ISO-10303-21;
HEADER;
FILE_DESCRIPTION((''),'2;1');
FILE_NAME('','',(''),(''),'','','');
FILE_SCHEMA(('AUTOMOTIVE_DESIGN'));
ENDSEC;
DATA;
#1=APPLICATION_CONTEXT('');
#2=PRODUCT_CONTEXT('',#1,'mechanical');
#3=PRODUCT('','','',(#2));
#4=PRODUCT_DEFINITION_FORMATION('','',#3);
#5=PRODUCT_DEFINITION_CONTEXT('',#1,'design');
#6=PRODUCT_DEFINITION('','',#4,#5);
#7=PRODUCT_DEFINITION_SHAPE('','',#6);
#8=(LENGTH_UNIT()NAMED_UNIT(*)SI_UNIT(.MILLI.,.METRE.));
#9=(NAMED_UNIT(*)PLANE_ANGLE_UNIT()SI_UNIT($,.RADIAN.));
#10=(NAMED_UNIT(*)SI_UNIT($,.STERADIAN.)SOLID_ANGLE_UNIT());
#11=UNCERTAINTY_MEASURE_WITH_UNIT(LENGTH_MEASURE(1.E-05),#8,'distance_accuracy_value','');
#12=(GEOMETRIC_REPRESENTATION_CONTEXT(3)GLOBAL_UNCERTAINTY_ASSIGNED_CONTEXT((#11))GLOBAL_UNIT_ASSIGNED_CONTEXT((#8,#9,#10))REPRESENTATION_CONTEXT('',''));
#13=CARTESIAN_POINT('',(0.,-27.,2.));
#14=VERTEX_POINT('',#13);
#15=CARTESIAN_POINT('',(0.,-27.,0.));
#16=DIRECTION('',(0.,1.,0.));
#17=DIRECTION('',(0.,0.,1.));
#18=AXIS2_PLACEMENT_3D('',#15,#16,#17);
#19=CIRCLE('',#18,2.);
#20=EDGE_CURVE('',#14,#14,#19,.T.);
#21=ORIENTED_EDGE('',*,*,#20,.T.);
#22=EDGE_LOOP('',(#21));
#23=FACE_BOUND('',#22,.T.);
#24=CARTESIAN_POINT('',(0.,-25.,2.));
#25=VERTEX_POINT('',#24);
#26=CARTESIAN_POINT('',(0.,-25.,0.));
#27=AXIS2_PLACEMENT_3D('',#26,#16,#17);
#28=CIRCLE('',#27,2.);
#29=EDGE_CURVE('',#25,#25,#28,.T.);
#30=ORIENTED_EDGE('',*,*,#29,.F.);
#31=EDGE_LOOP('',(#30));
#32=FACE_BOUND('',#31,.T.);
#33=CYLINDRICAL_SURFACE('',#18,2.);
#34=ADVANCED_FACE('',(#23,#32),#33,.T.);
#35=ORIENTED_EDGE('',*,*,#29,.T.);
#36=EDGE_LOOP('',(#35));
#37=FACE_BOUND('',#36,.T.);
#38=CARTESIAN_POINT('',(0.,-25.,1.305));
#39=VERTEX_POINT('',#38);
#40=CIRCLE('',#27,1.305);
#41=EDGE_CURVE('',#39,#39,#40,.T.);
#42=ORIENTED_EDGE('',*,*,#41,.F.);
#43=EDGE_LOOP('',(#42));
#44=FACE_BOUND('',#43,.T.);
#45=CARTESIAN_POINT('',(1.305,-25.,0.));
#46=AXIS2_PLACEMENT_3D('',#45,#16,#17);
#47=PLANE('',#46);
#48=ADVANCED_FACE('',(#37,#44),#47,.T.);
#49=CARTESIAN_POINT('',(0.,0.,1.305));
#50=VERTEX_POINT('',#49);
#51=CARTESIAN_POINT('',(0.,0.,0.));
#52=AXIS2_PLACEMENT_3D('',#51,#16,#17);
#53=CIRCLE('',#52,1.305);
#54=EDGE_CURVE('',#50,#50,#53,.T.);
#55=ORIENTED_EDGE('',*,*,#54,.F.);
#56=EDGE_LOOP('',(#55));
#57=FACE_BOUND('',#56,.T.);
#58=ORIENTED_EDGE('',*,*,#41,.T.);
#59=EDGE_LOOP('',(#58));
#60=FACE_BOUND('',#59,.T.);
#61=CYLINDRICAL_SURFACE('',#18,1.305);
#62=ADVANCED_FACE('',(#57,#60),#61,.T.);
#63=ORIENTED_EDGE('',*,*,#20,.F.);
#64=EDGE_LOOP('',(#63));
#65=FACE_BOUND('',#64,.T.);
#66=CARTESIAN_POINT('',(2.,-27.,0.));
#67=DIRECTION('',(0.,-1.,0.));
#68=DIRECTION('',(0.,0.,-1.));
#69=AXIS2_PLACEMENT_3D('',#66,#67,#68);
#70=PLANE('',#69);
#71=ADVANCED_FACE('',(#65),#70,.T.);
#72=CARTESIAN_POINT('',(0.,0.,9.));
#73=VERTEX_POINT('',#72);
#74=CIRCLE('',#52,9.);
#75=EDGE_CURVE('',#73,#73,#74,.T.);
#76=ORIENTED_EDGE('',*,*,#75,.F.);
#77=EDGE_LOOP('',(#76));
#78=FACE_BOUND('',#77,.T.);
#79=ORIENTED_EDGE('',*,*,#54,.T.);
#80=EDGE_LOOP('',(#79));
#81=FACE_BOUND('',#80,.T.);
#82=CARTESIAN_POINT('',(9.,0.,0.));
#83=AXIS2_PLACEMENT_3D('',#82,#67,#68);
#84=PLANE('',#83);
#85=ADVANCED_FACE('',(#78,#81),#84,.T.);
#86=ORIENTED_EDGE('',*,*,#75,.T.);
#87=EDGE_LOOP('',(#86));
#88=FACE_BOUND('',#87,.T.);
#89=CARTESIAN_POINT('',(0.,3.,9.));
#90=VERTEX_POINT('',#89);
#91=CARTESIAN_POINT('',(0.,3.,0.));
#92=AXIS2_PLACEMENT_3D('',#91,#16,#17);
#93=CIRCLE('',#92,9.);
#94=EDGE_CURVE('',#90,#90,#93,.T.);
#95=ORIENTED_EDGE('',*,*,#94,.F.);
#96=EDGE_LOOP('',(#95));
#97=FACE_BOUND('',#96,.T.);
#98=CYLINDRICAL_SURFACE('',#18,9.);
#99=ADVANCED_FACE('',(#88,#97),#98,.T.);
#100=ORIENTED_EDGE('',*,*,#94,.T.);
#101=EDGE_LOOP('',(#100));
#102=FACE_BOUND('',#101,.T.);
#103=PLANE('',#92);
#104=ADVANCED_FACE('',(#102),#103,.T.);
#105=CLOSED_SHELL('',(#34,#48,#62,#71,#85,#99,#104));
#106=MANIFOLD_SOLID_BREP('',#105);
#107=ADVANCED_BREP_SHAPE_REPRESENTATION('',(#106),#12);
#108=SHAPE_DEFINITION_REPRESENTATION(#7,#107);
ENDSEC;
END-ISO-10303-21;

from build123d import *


with BuildPart() as part:
    # Sketch1 → Revolve1 (revolve)
    with BuildSketch(Plane(origin=(0, 0, 0), x_dir=(-1, 0, 0), z_dir=(0, 0, -1))):
        Polygon((-2, -27), (0, -27), (0, 3), (-9, 3), (-9, 0), (-1.305, 0), (-1.305, -25), (-2, -25), align=None)
    revolve(axis=Axis((0, -27, 0), (0, 1, 0)))


solid = part.part
